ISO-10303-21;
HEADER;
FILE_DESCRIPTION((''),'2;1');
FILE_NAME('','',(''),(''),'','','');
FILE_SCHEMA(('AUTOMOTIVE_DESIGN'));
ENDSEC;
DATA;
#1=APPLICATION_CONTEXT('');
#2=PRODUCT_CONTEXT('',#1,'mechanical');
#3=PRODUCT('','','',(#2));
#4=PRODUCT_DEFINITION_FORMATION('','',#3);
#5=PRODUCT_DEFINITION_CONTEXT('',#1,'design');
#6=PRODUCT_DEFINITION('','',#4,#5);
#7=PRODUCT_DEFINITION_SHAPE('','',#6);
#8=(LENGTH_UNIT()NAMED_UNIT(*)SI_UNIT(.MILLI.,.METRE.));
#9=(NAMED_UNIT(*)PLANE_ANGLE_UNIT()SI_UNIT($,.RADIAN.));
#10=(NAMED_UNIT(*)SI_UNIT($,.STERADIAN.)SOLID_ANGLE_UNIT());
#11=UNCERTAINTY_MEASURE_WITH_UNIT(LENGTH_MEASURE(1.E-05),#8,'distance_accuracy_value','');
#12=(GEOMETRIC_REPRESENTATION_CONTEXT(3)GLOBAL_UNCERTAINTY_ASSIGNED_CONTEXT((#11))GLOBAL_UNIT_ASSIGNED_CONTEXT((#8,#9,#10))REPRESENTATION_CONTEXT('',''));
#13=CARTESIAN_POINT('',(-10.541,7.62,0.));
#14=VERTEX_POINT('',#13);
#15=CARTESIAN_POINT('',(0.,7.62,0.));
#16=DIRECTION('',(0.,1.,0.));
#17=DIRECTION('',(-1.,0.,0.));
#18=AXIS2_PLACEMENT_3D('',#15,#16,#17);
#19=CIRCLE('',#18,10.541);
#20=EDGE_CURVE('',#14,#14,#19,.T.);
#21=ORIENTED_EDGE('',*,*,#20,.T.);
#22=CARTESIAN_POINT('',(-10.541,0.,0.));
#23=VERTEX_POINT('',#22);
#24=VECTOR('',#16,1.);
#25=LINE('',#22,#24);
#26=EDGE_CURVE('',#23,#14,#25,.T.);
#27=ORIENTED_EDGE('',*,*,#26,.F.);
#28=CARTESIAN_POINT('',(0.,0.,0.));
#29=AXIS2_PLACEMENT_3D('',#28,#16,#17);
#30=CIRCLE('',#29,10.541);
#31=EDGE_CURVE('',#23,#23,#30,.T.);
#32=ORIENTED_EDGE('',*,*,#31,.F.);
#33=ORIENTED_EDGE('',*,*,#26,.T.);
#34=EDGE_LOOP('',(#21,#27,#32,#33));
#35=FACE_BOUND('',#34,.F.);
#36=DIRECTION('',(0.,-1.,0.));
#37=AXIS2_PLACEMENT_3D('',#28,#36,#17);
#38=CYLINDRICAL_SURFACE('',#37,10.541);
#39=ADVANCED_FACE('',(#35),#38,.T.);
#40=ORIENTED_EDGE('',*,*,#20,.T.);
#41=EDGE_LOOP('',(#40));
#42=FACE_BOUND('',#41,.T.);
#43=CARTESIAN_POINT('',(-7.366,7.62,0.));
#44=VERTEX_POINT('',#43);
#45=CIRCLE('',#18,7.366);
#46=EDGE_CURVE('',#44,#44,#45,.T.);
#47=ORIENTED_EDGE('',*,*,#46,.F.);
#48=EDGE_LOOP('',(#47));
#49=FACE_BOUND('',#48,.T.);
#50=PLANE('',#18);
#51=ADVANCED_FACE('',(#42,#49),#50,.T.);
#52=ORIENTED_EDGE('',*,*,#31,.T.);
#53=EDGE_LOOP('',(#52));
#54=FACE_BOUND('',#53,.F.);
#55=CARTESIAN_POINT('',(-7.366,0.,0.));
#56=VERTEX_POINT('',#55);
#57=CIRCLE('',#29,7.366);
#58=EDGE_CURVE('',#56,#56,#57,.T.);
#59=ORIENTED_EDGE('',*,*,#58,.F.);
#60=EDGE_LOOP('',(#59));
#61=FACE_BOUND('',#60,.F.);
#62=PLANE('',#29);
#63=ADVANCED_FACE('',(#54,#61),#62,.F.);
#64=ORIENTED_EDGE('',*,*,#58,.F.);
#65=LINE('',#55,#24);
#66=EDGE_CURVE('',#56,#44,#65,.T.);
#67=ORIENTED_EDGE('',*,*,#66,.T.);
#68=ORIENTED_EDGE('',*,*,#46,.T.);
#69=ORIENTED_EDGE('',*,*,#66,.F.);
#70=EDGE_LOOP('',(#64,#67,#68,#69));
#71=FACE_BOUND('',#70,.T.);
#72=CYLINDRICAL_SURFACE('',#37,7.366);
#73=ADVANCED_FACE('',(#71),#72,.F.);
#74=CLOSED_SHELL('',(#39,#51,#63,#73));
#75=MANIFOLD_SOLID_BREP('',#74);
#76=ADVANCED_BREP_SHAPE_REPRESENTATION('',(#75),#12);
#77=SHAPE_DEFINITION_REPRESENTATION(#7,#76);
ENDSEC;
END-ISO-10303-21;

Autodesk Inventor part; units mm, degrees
ref_plane "YZ Plane" through (0, 0, 0) normal (1, 0, 0) x (0, 1, 0)
ref_plane "XZ Plane" through (0, 0, 0) normal (0, 1, 0) x (-1, 0, 0)
ref_plane "XY Plane" through (0, 0, 0) normal (0, 0, 1) x (1, 0, 0)
sketch "Sketch1" plane through (0, 0, 0) normal (0, 1, 0) x (-1, 0, 0)
  circle A0 centre (0, 0) radius 7.366
  circle A1 centre (0, 0) radius 10.541
  dimension "d0" = 14.732
  dimension "d1" = 3.175
extrude "Extrusion1" add sketch "Sketch1" along normal blind 7.62
properties part number "GP6-010" material "ABS Plastic"
